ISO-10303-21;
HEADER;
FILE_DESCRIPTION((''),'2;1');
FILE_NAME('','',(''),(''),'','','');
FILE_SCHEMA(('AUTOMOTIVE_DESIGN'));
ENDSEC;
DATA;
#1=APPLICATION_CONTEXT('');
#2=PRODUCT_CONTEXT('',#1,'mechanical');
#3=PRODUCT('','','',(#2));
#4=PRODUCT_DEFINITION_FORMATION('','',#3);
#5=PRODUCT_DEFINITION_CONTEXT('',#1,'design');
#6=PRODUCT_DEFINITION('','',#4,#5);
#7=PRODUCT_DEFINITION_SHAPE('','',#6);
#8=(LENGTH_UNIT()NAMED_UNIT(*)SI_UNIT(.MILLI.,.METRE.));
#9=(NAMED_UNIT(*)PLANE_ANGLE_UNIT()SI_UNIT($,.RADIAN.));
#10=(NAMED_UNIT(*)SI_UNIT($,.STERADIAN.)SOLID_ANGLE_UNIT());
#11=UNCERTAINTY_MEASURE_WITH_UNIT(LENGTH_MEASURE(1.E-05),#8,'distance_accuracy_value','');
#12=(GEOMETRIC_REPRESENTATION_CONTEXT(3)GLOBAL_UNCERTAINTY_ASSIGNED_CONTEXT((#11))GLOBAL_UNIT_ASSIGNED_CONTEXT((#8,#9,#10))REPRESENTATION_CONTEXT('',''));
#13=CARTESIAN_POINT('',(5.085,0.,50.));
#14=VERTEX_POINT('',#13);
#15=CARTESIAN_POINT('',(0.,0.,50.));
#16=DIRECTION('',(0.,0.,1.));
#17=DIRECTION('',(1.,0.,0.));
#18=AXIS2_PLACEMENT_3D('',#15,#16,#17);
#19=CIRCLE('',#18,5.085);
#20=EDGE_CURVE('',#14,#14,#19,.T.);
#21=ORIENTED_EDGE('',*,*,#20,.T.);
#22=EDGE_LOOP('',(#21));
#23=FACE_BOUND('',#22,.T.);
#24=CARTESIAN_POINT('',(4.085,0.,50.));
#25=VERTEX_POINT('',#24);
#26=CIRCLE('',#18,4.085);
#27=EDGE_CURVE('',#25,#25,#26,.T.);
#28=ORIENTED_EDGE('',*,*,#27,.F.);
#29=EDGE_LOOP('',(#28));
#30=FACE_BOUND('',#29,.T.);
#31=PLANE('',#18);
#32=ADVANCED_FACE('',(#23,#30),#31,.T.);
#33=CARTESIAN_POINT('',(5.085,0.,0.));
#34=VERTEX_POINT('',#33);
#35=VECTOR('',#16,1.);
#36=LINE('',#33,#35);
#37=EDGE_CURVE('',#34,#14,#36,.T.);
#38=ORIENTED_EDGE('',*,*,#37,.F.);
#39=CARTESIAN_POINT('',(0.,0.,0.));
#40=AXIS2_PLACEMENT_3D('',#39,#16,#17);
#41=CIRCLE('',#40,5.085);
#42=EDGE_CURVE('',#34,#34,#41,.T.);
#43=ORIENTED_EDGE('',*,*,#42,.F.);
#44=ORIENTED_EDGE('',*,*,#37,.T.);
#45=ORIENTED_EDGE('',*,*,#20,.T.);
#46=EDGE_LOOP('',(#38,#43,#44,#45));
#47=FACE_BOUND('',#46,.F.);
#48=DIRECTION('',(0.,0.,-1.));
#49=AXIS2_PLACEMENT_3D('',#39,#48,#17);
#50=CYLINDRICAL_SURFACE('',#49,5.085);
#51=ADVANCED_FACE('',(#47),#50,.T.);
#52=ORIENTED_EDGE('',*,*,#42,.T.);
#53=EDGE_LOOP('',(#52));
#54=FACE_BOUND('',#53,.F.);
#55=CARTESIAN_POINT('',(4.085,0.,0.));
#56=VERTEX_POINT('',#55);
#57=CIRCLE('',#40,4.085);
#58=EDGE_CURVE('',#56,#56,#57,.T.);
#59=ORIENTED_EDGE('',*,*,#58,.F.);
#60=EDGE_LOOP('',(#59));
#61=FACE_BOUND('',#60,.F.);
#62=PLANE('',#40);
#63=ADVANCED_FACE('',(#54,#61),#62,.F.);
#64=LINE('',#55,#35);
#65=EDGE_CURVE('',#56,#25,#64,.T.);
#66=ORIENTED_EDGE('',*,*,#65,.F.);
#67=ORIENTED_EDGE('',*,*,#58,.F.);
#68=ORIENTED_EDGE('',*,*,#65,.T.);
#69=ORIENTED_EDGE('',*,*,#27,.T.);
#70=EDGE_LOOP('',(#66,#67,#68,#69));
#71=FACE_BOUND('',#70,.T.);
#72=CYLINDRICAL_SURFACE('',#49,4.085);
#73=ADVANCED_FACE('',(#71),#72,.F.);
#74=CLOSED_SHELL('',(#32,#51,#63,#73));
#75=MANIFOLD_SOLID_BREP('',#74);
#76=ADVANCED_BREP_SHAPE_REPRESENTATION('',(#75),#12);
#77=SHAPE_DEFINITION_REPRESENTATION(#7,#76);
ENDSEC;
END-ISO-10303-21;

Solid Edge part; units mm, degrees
sketch "Sketch1" plane through (0, 0, 0) normal (0, 0, 1) x (1, 0, 0)
  circle A0 centre (0, 0) radius 5.085
  circle A1 centre (0, 0) radius 4.085
  dimension "D1" = 10.17
extrude "Protrusion1" add sketch "Sketch1" along normal blind 50
